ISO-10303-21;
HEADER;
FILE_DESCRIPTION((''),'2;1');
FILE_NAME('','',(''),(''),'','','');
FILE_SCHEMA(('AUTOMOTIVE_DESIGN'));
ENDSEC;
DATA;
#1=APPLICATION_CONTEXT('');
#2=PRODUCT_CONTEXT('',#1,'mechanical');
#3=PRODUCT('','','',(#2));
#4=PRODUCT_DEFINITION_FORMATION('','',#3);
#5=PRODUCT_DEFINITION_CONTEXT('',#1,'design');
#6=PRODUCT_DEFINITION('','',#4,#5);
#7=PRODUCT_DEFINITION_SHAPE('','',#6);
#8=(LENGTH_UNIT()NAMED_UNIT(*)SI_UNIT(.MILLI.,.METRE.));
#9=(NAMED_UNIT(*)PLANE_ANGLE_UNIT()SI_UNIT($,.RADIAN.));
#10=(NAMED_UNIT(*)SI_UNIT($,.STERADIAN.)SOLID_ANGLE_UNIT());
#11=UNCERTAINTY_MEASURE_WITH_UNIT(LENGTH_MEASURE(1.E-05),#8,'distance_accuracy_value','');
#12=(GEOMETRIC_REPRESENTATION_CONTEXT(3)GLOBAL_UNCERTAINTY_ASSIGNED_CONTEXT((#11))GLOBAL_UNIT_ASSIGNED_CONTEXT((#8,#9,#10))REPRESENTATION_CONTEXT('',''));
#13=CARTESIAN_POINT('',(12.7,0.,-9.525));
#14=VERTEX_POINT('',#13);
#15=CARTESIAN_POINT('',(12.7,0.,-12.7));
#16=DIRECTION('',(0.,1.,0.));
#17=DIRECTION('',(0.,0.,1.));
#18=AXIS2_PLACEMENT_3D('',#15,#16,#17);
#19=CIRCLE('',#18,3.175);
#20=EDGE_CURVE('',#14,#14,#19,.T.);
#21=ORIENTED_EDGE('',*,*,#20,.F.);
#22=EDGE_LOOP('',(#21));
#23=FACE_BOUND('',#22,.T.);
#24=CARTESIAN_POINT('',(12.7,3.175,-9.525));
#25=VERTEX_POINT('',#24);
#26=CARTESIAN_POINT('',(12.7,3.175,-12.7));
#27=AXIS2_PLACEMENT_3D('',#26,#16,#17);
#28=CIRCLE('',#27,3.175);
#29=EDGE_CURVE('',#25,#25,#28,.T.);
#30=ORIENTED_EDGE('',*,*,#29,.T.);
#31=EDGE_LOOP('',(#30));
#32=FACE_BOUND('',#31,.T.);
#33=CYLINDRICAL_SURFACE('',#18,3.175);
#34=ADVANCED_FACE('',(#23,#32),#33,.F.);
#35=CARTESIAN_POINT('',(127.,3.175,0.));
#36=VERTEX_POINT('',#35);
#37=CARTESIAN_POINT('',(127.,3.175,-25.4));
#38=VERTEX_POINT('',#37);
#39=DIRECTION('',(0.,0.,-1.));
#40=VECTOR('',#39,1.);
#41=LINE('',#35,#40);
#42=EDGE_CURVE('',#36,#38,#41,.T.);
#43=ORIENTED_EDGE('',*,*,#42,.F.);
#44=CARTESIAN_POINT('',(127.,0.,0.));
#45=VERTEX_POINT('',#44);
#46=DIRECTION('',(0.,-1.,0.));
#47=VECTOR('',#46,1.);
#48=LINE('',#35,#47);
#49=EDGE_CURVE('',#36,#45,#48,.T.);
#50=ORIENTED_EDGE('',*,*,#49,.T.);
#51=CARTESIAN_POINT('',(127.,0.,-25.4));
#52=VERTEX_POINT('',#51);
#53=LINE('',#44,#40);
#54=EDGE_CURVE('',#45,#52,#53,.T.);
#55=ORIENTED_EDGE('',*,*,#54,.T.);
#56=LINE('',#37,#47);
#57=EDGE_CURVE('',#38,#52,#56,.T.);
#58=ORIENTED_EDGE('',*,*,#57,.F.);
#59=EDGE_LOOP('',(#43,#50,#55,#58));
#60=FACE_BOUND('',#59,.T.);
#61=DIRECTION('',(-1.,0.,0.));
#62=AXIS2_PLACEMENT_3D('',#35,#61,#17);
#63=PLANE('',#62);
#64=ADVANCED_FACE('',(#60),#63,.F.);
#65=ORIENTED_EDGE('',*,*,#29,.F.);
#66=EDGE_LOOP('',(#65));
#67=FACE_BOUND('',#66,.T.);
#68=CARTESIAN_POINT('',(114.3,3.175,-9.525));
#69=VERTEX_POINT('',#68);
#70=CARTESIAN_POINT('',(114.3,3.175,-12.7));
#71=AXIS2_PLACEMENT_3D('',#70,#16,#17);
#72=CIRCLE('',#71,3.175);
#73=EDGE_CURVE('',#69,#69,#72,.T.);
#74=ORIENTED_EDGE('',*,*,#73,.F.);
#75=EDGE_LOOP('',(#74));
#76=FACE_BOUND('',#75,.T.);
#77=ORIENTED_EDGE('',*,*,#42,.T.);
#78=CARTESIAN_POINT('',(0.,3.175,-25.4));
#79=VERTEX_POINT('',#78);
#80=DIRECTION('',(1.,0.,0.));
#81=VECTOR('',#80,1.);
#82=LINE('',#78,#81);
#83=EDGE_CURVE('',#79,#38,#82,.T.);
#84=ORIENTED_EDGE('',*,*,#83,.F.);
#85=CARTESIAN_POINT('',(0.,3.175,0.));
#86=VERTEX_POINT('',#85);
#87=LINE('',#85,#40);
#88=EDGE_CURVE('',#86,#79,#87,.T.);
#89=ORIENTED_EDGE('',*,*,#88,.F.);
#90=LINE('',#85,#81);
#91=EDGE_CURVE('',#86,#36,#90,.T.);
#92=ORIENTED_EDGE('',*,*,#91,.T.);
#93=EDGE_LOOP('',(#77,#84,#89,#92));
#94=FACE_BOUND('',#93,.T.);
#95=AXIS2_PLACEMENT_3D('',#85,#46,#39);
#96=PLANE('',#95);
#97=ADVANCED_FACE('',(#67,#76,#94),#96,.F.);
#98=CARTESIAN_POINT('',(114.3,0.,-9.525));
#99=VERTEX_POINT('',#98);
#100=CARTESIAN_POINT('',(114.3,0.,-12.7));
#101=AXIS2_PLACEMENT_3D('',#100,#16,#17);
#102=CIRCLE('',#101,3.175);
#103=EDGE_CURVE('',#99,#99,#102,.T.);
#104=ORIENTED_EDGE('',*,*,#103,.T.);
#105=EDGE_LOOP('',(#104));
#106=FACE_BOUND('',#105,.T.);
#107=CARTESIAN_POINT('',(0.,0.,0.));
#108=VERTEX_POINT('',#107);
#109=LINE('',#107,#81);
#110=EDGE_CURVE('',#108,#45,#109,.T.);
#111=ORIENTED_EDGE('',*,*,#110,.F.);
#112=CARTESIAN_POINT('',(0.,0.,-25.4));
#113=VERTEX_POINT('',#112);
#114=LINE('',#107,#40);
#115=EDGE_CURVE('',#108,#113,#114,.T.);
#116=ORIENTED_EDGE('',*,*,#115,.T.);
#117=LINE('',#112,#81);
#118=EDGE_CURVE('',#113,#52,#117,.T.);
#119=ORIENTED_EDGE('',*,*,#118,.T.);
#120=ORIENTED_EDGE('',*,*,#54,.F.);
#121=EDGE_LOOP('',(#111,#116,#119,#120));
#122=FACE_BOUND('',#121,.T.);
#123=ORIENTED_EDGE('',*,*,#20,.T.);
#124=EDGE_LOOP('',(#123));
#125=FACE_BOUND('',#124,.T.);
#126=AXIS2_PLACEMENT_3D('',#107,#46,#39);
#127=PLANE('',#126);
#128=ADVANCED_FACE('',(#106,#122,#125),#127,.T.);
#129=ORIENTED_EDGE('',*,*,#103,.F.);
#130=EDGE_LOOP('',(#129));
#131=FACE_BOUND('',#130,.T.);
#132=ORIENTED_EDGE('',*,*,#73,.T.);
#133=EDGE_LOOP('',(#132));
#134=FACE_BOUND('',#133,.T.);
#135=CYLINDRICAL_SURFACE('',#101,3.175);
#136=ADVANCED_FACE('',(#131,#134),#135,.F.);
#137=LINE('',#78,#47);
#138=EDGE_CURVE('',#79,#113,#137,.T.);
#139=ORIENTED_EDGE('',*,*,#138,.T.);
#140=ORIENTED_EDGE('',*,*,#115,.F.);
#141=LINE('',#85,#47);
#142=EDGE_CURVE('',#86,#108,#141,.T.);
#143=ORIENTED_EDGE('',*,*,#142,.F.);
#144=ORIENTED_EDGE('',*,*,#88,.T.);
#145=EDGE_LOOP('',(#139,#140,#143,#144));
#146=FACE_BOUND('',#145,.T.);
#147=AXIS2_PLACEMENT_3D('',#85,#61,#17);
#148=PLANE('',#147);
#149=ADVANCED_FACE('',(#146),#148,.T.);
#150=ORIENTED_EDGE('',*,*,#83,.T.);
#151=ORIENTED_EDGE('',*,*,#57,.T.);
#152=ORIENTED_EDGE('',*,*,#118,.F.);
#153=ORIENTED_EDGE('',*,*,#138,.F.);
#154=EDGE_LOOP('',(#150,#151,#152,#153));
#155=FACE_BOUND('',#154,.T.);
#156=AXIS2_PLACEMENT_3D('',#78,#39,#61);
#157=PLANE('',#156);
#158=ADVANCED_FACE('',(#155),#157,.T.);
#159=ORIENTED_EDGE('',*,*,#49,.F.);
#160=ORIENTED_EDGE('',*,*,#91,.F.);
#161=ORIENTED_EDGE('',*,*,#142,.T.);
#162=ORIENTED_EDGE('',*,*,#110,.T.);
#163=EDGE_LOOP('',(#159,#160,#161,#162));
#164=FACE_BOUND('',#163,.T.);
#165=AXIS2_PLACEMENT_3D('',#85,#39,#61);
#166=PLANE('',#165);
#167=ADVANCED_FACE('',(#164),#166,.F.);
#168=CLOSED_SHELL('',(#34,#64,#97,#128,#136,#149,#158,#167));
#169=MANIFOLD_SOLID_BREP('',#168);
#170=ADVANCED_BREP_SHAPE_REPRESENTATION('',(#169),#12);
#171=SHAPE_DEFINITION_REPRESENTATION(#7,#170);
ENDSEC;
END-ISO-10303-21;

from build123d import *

# Parameters (mm, degrees)
SKETCH1_W           = 127
SKETCH1_H           = 25.4
BOSS_EXTRUDE1_DEPTH = 3.175
SKETCH2_R           = 3.175
CUT_EXTRUDE1_DEPTH  = 3.175


with BuildPart() as part:
    # Sketch1 → Boss-Extrude1 (new body)
    with BuildSketch(Plane(origin=(0, 0, 0), x_dir=(1, 0, 0), z_dir=(0, 1, 0))):
        with Locations((63.5, 12.7)):
            Rectangle(SKETCH1_W, SKETCH1_H)
    extrude(amount=BOSS_EXTRUDE1_DEPTH)

    # Sketch2 → Cut-Extrude1 (cut)
    with BuildSketch(Plane(origin=(0, 3.175, 0), x_dir=(1, 0, 0), z_dir=(0, 1, 0))):
        with Locations(Location((12.7, 12.7, 0), (0, 0, 270))):
            Circle(SKETCH2_R)
        with Locations(Location((114.3, 12.7, 0), (0, 0, 270))):
            Circle(SKETCH2_R)
    extrude(amount=-CUT_EXTRUDE1_DEPTH, mode=Mode.SUBTRACT)


solid = part.part
